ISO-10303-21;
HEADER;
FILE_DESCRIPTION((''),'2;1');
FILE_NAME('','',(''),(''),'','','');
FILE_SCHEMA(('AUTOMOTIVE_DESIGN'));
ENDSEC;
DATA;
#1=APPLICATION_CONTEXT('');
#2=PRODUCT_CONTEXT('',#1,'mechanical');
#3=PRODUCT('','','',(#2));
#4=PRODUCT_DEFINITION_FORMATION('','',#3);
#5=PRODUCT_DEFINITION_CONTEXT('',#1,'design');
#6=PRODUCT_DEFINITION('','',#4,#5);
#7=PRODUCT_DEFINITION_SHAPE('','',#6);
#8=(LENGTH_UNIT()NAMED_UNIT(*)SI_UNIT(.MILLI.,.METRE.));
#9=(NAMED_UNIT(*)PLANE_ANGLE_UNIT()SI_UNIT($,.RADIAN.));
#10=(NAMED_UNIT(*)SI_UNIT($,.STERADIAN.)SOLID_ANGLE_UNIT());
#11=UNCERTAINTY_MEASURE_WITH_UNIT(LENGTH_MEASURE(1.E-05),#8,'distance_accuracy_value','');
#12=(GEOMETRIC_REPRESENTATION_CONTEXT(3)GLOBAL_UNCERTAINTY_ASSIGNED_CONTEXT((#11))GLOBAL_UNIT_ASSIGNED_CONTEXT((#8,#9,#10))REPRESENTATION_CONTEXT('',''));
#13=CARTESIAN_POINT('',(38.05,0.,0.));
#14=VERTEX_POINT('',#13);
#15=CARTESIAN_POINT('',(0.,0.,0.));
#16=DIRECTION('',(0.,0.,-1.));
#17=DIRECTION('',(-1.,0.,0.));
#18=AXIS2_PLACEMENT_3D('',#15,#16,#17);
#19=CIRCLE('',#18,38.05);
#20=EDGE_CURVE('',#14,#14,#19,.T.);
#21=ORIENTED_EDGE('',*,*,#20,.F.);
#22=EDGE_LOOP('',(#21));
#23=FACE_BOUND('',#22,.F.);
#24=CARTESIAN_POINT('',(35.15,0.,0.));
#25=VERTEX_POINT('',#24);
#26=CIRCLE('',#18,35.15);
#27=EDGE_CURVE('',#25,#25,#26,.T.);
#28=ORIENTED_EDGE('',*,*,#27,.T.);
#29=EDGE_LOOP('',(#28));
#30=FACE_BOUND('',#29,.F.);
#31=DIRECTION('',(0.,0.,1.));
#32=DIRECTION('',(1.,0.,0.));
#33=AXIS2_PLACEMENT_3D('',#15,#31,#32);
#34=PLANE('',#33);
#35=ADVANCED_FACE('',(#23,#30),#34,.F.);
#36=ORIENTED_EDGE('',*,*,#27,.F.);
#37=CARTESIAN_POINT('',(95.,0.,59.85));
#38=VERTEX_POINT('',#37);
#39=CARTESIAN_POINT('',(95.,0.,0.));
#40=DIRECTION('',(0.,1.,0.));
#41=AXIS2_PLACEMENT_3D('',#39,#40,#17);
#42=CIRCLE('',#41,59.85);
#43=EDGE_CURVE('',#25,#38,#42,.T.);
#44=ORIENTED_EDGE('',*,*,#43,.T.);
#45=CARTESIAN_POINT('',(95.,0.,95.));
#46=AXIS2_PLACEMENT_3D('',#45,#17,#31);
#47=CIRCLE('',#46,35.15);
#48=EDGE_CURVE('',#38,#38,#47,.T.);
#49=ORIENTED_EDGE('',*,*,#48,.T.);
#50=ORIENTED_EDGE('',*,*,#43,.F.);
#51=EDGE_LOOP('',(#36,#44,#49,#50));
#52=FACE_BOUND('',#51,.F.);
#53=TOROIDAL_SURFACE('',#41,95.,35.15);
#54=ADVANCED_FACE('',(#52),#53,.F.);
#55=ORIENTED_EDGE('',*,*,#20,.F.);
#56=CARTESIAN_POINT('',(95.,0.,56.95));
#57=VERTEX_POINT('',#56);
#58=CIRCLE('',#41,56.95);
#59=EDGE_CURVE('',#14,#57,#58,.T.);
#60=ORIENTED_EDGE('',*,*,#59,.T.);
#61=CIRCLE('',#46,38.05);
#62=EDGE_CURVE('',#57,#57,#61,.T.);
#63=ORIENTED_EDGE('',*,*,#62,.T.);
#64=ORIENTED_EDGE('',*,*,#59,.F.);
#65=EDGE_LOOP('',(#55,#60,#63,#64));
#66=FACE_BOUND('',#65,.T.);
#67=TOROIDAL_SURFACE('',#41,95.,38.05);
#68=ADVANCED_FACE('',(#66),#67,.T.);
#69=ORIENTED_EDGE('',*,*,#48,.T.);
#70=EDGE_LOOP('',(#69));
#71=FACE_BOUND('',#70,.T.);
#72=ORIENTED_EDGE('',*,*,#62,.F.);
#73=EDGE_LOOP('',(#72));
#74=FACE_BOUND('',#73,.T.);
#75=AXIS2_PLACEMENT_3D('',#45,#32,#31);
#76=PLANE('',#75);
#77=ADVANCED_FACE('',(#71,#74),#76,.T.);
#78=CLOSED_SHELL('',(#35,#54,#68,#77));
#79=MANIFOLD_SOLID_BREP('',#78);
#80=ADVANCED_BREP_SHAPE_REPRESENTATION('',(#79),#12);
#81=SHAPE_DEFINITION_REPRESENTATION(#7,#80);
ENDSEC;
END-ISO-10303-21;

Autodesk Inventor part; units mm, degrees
ref_plane "YZ Plane" through (0, 0, 0) normal (1, 0, 0) x (0, 1, 0)
ref_plane "XZ Plane" through (0, 0, 0) normal (0, 1, 0) x (-1, 0, 0)
ref_plane "XY Plane" through (0, 0, 0) normal (0, 0, 1) x (1, 0, 0)
sketch "Sketch1" plane through (0, 0, 0) normal (0, 0, 1) x (1, 0, 0)
  circle A0 centre (0, 0) radius 35.15
  circle A1 centre (0, 0) radius 38.05
  dimension "d0" = 70.3
  dimension "d1" = 76.1
sketch "Sketch2" plane through (0, 0, 0) normal (0, 1, 0) x (-1, 0, 0)
  line L0 (0, 0) -> (0, 95) construction
  line L1 (0, 95) -> (-95, 95) construction
  arc A0 (0, 0) -> (-95, 95) centre (-95, 0) ccw
  dimension "d2" = 95
  dimension "d3" = 95
sweep "Sweep1" add profiles "Sketch1" path "Sketch2"
equation "\"d0\" = -2 * T + D"
equation "\"d1\" = D"
equation "\"d2\" = F1"
equation "\"d3\" = F1"
equation "\"D\" = 76.1"
equation "\"F1\" = 95"
equation "\"T\" = 2.9"
equation "\"Size_Designation\" = 1.2345"
properties part number "ISO 5251 Bends 3D without straight ends(90 deg) DN65 2.9" material "Stainless Steel"
